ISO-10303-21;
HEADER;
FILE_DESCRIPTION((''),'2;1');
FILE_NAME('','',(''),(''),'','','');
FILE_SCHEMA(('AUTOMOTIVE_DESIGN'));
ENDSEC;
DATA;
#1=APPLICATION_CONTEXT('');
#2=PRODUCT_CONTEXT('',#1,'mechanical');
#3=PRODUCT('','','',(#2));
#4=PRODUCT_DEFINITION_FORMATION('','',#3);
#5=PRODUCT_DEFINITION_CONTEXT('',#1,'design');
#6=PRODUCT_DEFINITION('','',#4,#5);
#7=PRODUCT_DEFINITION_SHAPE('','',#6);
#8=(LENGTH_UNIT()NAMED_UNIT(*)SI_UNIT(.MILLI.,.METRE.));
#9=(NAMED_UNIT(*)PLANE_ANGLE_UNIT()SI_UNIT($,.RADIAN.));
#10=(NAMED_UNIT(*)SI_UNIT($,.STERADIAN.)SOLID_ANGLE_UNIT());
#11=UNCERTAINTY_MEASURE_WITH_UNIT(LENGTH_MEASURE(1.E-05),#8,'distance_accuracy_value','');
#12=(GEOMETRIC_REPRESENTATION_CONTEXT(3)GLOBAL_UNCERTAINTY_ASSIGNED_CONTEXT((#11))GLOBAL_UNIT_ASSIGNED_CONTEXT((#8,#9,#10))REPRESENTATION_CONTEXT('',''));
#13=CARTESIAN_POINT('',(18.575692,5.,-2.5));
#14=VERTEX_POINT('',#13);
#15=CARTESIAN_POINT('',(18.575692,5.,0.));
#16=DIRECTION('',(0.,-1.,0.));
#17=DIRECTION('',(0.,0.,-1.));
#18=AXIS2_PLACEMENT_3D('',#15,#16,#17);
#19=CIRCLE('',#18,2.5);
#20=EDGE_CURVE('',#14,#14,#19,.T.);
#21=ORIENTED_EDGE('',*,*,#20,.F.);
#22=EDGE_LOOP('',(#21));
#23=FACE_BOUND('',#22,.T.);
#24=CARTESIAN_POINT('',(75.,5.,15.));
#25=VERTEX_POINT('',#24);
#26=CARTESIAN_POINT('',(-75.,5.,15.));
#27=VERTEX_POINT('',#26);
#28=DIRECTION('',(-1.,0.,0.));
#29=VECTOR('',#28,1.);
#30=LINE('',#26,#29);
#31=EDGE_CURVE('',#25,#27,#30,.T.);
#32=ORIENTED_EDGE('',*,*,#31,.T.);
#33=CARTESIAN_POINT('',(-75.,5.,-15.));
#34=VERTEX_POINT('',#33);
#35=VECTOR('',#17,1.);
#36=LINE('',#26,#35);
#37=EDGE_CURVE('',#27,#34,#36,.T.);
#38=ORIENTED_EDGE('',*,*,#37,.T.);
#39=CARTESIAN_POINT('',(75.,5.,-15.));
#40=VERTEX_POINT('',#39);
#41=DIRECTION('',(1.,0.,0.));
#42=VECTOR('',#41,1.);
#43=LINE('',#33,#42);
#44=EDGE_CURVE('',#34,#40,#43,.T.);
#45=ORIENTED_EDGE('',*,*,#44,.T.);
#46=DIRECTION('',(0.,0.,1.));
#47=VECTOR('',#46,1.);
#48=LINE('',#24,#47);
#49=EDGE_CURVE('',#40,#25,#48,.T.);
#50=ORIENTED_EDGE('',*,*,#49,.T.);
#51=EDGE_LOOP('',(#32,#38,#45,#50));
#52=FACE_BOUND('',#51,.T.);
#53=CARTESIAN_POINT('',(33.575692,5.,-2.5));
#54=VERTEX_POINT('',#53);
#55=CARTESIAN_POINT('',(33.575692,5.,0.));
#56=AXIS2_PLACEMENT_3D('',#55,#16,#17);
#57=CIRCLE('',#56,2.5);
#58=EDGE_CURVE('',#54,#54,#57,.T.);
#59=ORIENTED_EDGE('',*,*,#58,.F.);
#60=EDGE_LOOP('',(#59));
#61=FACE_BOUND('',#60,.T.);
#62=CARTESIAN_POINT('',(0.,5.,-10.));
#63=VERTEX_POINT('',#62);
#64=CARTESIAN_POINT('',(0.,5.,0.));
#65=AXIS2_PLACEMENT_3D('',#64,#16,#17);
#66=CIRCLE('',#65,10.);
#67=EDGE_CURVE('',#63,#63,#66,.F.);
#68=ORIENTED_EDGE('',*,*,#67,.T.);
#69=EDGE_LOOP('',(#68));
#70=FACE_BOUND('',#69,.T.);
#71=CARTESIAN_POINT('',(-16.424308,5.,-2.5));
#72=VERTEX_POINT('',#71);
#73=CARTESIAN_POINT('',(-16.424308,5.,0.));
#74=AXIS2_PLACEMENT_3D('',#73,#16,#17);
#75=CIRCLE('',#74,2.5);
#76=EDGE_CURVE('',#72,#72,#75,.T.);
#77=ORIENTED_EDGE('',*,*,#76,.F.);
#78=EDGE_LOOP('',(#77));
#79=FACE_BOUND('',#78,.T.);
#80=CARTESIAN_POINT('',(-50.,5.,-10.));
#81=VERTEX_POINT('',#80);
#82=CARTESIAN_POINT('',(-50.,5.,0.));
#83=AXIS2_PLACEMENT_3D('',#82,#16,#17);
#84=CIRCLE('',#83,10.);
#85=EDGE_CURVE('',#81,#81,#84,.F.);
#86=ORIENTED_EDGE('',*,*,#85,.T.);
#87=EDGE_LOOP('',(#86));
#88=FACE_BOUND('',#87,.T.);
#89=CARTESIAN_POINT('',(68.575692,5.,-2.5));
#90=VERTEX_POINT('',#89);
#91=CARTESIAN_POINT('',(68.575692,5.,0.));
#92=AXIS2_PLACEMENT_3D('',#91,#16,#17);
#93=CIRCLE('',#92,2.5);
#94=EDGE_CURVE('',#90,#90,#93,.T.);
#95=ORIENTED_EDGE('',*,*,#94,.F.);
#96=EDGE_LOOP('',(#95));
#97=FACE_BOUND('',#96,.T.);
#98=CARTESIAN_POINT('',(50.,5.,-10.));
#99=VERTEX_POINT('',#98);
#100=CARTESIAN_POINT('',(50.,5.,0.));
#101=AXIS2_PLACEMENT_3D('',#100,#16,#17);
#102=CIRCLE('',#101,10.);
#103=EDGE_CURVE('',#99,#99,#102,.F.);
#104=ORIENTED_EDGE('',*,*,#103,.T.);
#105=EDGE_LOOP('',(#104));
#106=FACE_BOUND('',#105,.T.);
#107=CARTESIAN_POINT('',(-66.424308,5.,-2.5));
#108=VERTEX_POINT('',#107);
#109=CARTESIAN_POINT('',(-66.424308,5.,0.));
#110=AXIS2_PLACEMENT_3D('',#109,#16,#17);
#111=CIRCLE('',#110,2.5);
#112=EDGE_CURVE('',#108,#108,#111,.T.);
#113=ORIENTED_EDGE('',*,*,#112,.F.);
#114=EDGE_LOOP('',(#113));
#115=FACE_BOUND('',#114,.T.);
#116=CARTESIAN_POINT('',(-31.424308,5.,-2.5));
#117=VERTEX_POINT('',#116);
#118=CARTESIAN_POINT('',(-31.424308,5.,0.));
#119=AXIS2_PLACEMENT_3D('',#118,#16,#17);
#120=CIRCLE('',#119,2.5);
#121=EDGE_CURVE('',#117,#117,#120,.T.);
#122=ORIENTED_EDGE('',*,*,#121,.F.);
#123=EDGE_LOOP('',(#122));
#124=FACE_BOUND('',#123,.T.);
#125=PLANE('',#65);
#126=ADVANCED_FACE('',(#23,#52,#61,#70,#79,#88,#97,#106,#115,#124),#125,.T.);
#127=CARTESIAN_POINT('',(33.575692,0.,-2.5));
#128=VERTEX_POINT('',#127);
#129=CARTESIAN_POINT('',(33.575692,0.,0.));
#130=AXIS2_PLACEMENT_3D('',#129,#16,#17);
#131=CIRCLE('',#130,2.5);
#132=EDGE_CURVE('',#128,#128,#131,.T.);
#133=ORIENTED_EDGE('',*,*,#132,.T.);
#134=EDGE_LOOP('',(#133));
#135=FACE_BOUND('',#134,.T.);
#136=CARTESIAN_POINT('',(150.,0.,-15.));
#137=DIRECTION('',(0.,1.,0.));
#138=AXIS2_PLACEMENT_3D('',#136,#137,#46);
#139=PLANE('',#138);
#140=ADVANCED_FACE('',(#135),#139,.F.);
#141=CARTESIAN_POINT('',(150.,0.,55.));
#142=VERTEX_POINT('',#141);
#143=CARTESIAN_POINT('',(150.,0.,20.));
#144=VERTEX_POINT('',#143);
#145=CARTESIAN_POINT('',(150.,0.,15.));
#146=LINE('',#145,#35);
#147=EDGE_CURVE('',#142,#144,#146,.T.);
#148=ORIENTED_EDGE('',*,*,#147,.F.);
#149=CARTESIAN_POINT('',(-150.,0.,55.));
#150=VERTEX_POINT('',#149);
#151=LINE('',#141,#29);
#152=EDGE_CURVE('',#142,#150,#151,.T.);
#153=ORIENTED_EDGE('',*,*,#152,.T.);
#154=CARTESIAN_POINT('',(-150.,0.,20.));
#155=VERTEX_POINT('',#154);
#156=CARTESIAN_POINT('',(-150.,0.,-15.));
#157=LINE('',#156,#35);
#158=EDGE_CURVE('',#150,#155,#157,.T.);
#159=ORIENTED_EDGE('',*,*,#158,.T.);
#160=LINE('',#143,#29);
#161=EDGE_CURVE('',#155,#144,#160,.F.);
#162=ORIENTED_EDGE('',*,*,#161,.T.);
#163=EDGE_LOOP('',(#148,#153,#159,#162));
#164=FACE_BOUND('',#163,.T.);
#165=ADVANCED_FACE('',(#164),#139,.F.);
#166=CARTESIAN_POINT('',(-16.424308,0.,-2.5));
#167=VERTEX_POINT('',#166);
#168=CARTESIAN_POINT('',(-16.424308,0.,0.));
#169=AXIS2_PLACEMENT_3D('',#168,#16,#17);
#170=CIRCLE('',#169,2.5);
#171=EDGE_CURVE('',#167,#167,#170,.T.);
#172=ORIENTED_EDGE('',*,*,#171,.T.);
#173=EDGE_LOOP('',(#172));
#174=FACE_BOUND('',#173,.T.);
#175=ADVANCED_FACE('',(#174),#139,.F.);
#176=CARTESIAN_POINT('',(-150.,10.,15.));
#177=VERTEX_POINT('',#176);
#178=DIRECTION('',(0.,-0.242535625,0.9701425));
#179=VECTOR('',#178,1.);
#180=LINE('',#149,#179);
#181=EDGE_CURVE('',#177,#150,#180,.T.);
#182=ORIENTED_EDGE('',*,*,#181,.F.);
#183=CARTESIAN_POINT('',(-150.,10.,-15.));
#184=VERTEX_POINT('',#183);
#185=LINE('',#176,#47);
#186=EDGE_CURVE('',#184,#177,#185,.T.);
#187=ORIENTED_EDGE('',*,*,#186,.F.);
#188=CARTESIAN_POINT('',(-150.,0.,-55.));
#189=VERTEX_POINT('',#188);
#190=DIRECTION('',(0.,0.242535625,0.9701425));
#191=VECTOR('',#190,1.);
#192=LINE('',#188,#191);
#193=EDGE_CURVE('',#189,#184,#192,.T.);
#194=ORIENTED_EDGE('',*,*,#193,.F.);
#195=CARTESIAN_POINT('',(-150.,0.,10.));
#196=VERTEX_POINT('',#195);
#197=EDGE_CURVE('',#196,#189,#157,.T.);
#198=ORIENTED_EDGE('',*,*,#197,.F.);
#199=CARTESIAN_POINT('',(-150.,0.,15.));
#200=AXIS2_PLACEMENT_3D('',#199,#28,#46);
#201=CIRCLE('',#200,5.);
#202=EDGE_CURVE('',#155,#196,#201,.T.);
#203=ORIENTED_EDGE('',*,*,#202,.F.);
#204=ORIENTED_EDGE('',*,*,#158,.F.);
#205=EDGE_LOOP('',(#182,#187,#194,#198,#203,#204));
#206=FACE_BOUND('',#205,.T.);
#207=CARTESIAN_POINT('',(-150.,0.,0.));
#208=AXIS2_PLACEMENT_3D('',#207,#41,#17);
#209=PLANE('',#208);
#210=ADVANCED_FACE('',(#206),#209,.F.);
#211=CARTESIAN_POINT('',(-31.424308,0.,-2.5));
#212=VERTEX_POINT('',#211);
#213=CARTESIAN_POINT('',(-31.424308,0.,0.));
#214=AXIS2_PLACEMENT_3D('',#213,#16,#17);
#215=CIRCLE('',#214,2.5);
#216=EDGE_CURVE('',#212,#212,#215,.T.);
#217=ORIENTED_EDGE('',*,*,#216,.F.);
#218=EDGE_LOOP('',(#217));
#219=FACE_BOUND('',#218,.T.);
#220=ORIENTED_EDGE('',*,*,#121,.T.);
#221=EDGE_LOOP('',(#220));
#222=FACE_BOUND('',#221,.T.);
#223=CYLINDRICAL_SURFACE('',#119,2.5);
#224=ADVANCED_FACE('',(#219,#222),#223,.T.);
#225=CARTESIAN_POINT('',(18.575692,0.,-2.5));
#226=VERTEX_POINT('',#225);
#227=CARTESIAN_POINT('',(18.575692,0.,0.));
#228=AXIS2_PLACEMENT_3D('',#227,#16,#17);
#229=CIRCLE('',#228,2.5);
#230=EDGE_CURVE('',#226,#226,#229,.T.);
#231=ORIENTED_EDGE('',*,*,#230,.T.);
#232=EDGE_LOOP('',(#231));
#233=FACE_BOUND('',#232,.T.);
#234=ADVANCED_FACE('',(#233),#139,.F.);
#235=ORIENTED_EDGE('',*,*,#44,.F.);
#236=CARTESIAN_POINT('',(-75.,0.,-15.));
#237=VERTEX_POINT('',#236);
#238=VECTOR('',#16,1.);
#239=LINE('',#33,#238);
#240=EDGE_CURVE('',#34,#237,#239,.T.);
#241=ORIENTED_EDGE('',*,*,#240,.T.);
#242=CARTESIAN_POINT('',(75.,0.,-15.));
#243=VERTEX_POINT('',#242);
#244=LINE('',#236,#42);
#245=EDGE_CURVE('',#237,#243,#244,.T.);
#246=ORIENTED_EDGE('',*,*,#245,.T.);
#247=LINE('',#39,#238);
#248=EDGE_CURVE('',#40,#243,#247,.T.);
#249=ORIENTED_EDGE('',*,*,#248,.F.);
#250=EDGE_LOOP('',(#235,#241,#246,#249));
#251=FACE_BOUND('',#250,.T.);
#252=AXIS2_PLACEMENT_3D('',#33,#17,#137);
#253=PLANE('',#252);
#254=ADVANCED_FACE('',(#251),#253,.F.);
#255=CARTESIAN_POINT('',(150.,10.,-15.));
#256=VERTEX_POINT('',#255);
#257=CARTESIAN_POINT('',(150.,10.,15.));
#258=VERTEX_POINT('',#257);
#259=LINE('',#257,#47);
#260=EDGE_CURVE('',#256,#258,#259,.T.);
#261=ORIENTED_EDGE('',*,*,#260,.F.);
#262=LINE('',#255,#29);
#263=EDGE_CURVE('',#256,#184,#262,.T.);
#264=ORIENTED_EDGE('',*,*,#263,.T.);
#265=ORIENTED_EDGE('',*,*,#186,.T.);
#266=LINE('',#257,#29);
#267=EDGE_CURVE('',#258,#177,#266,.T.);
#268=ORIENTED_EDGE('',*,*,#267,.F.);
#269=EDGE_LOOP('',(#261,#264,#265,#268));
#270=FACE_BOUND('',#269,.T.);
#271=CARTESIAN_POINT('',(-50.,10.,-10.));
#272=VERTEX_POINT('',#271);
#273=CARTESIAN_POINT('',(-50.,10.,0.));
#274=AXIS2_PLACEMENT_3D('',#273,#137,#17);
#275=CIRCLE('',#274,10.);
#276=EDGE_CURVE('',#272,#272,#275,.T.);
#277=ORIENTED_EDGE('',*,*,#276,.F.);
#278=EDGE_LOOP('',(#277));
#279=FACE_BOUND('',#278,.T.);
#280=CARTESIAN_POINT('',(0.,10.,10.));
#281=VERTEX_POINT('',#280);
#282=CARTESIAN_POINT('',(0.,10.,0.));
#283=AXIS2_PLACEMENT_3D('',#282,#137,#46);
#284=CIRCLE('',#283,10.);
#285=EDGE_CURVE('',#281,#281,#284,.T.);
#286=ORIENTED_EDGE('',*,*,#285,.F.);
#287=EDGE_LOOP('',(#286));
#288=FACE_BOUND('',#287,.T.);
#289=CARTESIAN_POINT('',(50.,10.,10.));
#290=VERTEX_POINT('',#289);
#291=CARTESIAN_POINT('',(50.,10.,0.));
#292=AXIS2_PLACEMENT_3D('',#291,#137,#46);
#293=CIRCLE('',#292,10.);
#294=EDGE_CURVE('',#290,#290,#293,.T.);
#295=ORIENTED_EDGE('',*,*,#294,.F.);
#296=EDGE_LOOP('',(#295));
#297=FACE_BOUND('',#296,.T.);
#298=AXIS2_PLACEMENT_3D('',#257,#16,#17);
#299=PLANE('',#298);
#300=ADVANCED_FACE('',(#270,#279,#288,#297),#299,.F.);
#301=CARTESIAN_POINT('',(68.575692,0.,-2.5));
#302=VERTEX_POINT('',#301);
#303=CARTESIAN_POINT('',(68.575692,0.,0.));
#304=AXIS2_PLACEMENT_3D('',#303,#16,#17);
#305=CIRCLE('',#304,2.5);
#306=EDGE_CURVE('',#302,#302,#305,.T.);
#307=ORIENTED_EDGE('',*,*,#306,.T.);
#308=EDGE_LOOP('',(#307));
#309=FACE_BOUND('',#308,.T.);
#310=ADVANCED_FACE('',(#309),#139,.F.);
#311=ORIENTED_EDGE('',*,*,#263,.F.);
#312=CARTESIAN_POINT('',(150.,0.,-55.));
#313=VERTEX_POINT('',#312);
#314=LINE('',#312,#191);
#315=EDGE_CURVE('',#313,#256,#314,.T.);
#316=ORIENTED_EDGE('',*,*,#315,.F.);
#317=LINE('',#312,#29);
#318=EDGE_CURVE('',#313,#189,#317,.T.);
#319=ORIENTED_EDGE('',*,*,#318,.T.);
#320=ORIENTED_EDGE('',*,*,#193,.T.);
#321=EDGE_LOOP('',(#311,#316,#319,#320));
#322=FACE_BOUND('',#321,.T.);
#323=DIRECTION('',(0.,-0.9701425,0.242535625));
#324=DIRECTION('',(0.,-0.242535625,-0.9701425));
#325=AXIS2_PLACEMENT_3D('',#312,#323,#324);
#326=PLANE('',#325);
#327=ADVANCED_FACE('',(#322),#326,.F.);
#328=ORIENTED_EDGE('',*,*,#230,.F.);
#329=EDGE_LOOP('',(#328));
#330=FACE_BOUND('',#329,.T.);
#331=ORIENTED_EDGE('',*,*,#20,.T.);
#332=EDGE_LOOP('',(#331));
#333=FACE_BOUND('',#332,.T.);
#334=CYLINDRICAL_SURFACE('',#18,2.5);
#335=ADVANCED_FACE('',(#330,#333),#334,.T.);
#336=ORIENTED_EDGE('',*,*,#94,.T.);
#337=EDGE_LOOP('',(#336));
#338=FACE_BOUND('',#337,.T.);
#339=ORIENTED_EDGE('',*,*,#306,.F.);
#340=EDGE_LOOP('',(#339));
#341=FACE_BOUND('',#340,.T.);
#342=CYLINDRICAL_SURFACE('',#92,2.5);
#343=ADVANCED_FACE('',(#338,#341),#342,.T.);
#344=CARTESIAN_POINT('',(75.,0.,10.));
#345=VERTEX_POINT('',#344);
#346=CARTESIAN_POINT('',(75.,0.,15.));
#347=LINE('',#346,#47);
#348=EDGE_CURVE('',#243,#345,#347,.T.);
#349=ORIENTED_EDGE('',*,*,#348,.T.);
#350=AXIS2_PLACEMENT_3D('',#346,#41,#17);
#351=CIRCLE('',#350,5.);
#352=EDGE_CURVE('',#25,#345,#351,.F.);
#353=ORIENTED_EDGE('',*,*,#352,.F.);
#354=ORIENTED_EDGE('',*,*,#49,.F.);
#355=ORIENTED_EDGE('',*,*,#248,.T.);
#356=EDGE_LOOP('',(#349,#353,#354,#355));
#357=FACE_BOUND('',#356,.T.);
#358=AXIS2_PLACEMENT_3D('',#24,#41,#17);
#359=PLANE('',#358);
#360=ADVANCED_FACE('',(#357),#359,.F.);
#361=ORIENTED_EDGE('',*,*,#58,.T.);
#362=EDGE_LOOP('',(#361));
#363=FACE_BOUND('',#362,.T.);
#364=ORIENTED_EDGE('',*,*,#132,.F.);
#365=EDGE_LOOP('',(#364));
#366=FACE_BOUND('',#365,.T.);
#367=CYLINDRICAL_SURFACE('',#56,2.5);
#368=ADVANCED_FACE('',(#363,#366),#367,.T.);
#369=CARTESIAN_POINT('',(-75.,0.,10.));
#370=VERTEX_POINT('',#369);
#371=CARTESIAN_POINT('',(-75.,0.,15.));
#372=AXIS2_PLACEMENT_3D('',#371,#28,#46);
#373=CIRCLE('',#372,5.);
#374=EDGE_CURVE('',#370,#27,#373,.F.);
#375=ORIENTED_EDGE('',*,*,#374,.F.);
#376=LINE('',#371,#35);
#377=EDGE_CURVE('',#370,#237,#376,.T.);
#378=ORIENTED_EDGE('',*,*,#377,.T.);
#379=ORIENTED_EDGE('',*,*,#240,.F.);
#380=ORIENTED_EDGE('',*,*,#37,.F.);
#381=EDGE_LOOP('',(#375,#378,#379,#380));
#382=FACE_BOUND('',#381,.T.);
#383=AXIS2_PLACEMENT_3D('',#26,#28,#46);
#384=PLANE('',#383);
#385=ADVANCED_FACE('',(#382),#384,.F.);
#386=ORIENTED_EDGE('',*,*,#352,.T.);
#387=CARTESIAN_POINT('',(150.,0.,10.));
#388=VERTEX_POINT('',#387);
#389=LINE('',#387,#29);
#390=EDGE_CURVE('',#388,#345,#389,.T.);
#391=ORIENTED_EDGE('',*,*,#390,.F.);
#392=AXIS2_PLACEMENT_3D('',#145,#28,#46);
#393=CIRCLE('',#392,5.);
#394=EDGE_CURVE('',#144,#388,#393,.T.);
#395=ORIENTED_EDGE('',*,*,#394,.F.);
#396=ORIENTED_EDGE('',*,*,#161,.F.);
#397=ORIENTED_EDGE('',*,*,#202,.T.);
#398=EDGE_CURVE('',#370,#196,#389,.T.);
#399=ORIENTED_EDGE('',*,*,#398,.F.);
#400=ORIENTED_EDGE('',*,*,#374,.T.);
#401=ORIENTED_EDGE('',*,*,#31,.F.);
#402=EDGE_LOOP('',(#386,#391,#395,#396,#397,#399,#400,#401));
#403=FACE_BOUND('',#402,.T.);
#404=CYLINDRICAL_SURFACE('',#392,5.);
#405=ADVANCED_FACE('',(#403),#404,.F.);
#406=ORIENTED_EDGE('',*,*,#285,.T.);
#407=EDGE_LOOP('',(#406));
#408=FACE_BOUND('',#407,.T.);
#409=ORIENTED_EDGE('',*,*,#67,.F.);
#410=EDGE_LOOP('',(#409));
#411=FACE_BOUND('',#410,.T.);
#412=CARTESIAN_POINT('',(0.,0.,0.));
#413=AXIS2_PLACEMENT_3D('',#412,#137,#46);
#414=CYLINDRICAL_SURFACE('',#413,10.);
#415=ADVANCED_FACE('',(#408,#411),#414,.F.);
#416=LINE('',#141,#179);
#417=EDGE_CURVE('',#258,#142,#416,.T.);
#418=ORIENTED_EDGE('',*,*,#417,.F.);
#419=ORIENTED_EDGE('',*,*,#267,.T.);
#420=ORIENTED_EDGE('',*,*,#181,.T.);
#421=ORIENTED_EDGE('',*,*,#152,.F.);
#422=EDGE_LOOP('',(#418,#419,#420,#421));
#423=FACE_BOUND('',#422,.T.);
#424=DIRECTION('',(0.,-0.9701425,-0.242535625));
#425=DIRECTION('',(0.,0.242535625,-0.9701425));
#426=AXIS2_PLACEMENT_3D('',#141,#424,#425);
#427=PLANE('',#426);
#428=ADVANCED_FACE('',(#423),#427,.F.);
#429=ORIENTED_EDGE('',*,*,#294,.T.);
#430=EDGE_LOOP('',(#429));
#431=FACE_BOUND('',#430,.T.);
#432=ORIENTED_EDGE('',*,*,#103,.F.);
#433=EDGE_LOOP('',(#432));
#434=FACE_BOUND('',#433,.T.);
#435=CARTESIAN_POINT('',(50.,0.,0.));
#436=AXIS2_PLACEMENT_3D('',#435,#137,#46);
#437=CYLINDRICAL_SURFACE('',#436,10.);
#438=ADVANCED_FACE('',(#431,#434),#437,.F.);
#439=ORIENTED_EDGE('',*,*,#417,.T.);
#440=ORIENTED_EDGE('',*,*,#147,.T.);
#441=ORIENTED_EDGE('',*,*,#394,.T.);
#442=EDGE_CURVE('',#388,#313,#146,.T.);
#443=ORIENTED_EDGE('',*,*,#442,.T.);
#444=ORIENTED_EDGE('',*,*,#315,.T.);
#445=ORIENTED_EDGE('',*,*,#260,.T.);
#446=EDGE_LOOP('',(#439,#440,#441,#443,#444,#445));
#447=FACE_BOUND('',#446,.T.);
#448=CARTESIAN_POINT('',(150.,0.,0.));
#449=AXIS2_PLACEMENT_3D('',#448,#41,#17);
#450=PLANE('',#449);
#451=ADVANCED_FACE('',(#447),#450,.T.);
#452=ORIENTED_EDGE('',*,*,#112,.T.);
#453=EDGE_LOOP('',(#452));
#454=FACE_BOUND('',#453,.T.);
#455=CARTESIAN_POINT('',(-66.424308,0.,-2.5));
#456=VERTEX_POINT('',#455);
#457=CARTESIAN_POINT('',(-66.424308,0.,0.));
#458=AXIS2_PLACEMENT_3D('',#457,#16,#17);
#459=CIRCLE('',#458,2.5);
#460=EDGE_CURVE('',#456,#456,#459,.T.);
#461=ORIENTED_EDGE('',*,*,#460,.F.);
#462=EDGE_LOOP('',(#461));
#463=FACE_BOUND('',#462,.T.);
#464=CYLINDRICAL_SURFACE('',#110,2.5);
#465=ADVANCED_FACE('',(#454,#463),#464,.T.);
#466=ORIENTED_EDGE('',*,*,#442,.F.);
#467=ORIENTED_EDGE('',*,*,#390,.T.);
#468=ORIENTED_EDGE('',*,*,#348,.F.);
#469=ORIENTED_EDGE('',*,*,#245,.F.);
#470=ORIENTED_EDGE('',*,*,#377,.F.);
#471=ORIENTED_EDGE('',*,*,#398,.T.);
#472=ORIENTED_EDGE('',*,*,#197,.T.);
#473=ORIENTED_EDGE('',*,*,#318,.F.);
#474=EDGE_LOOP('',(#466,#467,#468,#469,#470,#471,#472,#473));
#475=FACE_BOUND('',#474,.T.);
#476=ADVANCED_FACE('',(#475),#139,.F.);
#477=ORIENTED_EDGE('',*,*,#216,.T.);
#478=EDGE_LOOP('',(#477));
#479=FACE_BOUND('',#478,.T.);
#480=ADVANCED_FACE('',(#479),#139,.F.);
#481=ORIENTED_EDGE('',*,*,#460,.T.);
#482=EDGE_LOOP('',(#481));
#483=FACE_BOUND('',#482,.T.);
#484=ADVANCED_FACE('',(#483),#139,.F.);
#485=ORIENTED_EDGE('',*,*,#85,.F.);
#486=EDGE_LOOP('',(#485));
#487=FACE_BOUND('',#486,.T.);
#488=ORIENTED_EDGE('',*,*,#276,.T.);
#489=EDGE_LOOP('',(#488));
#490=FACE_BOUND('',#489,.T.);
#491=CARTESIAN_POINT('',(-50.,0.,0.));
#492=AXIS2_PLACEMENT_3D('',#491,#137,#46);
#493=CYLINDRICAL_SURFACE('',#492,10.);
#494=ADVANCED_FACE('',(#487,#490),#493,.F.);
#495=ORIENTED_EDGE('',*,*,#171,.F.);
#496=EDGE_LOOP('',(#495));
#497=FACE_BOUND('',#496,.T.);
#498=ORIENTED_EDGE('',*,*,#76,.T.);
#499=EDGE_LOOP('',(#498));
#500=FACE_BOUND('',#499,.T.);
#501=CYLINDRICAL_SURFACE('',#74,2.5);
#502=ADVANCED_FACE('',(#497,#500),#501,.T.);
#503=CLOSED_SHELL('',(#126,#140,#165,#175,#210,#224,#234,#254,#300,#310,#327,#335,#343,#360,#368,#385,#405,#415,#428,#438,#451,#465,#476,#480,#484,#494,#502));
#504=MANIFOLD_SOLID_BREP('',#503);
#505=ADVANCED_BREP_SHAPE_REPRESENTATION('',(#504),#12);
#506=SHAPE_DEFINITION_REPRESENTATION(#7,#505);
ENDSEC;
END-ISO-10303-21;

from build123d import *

# Parameters (mm, degrees)
BOSS_EXTRU_1_DEPTH      = 150
ESQUISSE3_R             = 5
ENL_V_MAT_EXTRU_1_DEPTH = 306.163890393
ESQUISSE5_R             = 10
ENL_V_MAT_EXTRU_2_DEPTH = 161.078105936
ESQUISSE6_W             = 150
ESQUISSE6_H             = 30
ESQUISSE6_R             = 2.5
ENL_V_MAT_EXTRU_3_DEPTH = 5


with BuildPart() as part:
    # Esquisse2 → Boss.-Extru.1 (new, symmetric)
    with BuildSketch(Plane(origin=(0, 0, 0), x_dir=(0, 0, -1), z_dir=(1, 0, 0))):
        Polygon((15, 0), (55, 0), (15, 10), (-15, 10), (-55, 0), (-15, 0), align=None)
    extrude(amount=BOSS_EXTRU_1_DEPTH, both=True)

    # Esquisse3 → Enlèv. mat.-Extru.1 (cut, through all)
    with BuildSketch(Plane.ZY.offset(150)):
        with Locations((15, 0)):
            Circle(ESQUISSE3_R)
    extrude(amount=-ENL_V_MAT_EXTRU_1_DEPTH, mode=Mode.SUBTRACT)

    # Esquisse5 → Enlèv. mat.-Extru.2 (cut, through all)
    with BuildSketch(Plane(origin=(0, 10, 0), x_dir=(1, 0, 0), z_dir=(0, 1, 0))):
        with Locations(Location((0, 0, 0), (0, 0, 270))):
            Circle(ESQUISSE5_R)
        with Locations(Location((50, 0, 0), (0, 0, 270))):
            Circle(ESQUISSE5_R)
        with Locations(Location((-50, 0, 0), (0, 0, 270))):
            Circle(ESQUISSE5_R)
    extrude(amount=-ENL_V_MAT_EXTRU_2_DEPTH, mode=Mode.SUBTRACT)

    # Esquisse6 → Enlèv. mat.-Extru.3 (cut)
    with BuildSketch(Plane.XZ):
        Rectangle(ESQUISSE6_W, ESQUISSE6_H)
        with Locations(Location((-66.424308402, 0, 0), (0, 0, 270))):
            Circle(ESQUISSE6_R, mode=Mode.SUBTRACT)
        with Locations(Location((-31.424308402, 0, 0), (0, 0, 270))):
            Circle(ESQUISSE6_R, mode=Mode.SUBTRACT)
        with Locations(Location((-16.424308402, 0, 0), (0, 0, 270))):
            Circle(ESQUISSE6_R, mode=Mode.SUBTRACT)
        with Locations(Location((18.575691598, 0, 0), (0, 0, 270))):
            Circle(ESQUISSE6_R, mode=Mode.SUBTRACT)
        with Locations(Location((33.575691598, 0, 0), (0, 0, 270))):
            Circle(ESQUISSE6_R, mode=Mode.SUBTRACT)
        with Locations(Location((68.575691598, 0, 0), (0, 0, 270))):
            Circle(ESQUISSE6_R, mode=Mode.SUBTRACT)
    extrude(amount=-ENL_V_MAT_EXTRU_3_DEPTH, mode=Mode.SUBTRACT)


solid = part.part
